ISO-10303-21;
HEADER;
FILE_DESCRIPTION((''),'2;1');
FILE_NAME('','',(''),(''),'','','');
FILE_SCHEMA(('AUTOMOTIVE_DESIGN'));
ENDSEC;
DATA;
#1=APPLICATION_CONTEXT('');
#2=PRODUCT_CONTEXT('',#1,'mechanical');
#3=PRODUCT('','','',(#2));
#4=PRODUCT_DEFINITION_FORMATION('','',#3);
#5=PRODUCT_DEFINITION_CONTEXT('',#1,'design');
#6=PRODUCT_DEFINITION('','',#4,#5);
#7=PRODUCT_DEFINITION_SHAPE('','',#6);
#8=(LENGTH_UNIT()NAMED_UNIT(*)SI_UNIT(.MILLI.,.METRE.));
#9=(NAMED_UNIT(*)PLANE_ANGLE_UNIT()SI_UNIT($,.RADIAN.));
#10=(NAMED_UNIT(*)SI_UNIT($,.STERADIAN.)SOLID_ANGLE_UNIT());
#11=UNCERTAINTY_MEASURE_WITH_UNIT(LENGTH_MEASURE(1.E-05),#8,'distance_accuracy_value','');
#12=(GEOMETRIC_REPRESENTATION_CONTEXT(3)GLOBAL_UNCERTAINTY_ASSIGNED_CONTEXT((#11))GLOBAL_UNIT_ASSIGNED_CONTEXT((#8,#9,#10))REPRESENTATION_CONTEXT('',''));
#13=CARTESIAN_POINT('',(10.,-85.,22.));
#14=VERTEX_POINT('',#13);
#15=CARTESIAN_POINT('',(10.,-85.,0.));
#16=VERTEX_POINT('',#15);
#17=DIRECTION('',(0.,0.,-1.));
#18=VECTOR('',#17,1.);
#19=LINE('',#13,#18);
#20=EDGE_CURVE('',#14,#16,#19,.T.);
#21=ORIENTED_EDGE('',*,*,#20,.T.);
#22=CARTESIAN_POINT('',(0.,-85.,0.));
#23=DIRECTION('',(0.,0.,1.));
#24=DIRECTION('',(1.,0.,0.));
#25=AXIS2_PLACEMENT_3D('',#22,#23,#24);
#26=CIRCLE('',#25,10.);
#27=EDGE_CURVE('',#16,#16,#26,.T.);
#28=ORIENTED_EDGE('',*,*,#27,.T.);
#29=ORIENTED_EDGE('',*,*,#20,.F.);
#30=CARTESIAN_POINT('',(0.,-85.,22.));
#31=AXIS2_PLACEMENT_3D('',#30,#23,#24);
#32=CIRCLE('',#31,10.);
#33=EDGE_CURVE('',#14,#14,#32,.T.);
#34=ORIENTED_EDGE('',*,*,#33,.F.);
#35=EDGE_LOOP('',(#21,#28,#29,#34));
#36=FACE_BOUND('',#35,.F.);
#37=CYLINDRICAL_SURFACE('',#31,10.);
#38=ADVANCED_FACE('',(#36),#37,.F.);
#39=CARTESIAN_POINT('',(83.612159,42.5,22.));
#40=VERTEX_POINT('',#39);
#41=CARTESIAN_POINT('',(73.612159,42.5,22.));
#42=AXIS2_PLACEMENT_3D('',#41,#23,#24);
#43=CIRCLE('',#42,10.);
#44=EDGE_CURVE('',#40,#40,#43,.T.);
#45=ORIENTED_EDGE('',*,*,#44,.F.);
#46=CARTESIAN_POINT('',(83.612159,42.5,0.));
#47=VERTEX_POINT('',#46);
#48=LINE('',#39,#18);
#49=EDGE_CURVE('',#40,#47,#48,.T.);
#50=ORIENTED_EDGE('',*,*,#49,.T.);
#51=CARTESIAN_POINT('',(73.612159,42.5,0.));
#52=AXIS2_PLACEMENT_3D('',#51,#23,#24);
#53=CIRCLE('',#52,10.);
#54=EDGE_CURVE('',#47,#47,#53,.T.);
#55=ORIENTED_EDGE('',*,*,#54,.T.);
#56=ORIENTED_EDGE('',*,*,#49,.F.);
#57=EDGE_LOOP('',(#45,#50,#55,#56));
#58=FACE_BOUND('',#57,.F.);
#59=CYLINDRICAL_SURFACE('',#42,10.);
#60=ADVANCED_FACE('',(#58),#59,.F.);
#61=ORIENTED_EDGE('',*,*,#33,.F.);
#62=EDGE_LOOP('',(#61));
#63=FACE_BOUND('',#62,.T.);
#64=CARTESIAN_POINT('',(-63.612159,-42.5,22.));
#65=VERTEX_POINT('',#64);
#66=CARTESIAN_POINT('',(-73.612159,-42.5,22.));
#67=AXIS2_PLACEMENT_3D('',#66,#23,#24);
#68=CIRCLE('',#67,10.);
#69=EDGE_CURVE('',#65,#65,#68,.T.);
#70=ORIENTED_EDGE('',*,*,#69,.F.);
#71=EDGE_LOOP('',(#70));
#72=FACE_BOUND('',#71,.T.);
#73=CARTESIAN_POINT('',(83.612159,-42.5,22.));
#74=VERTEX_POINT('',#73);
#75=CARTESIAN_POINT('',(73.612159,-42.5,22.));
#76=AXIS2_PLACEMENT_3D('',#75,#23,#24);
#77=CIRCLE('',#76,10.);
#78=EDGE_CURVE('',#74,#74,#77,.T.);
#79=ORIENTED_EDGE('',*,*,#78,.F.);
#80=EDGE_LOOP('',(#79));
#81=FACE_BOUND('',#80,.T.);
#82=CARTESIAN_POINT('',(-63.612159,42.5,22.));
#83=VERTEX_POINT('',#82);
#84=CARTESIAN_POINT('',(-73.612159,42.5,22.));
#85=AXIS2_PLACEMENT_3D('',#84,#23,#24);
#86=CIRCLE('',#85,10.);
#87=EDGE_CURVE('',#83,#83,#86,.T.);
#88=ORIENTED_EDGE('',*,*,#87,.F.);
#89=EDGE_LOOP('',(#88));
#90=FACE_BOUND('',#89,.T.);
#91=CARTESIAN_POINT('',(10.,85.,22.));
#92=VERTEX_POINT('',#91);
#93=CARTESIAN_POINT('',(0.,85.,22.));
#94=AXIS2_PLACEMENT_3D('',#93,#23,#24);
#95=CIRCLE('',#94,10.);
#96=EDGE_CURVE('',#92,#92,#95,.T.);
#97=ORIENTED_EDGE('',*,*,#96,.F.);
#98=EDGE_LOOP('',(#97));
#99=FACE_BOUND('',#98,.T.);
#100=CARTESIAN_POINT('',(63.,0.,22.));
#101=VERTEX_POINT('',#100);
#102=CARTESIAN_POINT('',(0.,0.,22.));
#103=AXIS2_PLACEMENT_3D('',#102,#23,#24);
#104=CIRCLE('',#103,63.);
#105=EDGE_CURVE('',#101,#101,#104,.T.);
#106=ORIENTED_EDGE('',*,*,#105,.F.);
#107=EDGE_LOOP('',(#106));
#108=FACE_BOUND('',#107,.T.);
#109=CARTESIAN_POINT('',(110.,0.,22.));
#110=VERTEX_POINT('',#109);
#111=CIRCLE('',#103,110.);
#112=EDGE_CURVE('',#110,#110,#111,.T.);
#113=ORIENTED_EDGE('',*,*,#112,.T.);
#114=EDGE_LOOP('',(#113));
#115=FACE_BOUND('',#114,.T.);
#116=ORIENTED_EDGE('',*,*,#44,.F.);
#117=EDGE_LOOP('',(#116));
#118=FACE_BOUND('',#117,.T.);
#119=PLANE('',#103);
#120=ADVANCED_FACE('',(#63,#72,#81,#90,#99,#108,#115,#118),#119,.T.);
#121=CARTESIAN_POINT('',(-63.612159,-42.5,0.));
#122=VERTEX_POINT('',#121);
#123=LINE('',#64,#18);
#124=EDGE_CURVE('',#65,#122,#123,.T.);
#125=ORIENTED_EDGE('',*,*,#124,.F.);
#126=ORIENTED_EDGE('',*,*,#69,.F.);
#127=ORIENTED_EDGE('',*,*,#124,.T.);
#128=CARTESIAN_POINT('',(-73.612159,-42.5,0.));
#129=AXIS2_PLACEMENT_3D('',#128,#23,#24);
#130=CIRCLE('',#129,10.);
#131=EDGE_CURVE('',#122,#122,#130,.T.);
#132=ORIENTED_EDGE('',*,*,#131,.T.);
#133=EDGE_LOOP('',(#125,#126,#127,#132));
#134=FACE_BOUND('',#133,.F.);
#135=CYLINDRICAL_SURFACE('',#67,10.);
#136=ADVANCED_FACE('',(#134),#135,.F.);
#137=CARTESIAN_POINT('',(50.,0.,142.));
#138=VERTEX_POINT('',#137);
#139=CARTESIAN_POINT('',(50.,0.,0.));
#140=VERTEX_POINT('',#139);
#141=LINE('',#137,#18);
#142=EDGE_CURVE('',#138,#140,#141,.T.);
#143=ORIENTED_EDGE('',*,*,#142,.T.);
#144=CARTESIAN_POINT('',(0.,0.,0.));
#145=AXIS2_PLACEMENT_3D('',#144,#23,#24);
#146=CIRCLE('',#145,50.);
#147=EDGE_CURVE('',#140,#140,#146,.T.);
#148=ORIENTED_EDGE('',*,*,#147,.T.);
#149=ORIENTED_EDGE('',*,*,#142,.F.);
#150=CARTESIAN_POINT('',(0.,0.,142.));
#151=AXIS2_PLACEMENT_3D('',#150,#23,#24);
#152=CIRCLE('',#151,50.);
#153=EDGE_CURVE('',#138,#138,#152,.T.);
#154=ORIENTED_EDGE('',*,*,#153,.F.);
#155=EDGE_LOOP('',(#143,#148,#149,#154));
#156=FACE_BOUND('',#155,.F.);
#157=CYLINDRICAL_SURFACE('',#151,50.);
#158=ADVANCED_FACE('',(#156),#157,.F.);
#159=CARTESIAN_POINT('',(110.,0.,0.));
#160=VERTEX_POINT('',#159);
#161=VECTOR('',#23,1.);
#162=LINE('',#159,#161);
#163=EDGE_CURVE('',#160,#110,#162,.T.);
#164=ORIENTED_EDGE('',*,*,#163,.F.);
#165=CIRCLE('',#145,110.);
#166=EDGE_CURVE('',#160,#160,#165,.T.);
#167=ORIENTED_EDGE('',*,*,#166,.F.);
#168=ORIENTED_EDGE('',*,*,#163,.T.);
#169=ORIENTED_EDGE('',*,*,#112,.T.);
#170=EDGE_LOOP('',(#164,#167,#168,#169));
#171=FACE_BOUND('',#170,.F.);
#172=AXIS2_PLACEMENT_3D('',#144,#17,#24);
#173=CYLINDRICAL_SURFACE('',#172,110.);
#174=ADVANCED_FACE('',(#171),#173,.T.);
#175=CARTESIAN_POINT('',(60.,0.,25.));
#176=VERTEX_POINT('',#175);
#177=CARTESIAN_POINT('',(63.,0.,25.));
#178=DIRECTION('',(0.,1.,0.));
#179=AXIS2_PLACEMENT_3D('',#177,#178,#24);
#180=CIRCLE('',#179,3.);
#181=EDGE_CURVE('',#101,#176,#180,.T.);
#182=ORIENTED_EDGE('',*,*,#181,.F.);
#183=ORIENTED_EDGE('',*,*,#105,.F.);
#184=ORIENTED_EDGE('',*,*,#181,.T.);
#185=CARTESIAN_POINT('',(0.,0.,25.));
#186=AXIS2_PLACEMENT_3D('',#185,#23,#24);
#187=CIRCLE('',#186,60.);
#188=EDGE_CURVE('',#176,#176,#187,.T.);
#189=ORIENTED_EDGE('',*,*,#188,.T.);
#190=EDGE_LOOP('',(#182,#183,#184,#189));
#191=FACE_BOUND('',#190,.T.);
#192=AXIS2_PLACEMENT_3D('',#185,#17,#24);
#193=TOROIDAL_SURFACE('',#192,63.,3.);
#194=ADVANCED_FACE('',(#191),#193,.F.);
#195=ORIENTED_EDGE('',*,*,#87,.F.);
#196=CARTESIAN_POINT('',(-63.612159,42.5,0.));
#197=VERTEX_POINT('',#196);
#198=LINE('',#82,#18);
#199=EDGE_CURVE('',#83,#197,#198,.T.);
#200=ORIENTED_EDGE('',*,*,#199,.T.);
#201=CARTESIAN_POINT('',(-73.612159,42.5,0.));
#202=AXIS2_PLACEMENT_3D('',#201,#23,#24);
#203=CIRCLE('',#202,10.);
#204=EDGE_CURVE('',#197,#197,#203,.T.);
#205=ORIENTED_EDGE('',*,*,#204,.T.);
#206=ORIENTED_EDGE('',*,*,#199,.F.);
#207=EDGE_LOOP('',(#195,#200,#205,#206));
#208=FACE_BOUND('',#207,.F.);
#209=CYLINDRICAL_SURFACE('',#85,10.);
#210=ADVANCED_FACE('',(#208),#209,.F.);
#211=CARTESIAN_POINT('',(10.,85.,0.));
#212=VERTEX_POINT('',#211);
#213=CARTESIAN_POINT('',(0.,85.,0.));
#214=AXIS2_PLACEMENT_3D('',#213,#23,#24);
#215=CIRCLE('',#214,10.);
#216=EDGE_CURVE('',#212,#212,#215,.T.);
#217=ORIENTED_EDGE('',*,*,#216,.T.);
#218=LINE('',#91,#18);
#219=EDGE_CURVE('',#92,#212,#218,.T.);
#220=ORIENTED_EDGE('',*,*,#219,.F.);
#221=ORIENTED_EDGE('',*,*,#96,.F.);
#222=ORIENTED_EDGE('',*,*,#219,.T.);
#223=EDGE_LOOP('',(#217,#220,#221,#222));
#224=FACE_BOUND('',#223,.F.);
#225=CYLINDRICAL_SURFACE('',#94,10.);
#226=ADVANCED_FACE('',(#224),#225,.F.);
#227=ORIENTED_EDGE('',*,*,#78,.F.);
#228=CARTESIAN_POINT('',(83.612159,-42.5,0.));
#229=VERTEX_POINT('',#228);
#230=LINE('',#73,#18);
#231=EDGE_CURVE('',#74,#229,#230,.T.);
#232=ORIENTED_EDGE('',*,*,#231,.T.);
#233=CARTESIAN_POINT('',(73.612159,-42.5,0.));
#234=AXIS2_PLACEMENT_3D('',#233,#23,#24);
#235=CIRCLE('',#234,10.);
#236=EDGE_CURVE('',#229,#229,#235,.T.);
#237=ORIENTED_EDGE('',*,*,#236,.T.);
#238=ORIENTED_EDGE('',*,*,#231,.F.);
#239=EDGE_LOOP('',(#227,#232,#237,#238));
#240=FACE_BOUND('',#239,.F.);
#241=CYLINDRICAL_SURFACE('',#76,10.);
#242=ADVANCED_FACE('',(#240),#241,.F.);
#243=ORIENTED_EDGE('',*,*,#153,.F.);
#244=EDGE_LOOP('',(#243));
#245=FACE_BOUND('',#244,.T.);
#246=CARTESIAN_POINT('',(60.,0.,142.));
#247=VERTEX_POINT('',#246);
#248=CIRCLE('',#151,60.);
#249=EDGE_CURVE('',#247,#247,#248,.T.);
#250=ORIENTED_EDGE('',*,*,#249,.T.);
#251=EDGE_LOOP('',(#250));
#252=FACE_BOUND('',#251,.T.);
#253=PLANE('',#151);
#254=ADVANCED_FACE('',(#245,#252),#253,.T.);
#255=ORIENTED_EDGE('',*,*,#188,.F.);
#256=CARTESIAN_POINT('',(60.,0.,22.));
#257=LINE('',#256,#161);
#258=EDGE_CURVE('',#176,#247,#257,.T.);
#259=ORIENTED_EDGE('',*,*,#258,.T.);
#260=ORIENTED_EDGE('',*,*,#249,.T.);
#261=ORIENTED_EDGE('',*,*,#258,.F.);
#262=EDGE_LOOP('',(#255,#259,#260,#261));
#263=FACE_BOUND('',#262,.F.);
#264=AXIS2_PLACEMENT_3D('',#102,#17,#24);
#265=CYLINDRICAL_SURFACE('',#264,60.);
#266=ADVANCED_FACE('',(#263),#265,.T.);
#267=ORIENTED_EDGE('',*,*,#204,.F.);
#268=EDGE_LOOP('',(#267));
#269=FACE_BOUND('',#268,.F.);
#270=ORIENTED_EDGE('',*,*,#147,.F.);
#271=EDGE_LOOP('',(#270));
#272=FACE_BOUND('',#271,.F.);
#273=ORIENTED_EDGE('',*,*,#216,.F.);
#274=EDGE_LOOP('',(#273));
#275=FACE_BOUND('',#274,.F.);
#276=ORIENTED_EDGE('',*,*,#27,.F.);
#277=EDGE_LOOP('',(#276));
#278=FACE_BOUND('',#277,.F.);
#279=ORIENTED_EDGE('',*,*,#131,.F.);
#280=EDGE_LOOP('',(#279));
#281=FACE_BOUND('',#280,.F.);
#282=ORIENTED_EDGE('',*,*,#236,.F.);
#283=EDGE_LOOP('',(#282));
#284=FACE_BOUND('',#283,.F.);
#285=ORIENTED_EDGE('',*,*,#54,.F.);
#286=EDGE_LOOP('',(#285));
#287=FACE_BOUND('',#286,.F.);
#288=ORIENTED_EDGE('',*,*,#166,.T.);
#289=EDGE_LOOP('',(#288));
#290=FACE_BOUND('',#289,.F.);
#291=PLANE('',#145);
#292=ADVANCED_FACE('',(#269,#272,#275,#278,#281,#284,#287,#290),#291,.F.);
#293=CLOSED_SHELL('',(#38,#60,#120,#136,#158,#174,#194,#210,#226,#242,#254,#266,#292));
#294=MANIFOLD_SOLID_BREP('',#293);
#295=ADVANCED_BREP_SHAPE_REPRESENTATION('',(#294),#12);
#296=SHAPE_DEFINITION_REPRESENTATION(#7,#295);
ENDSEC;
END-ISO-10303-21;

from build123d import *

# Parameters (mm, degrees)
SKETCH2_R           = 110
BOSS_EXTRUDE1_DEPTH = 22
SKETCH3_R           = 60
BOSS_EXTRUDE2_DEPTH = 120
SKETCH4_R           = 50
CUT_EXTRUDE1_DEPTH  = 143
SKETCH5_R           = 10
CUT_EXTRUDE2_DEPTH  = 23
FILLET1_R           = 3


with BuildPart() as part:
    # Sketch2 → Boss-Extrude1 (new body)
    with BuildSketch(Plane.XY):
        Circle(SKETCH2_R)
    extrude(amount=BOSS_EXTRUDE1_DEPTH)

    # Sketch3 → Boss-Extrude2 (add)
    with BuildSketch(Plane.XY.offset(22)):
        Circle(SKETCH3_R)
    extrude(amount=BOSS_EXTRUDE2_DEPTH)

    # Sketch4 → Cut-Extrude1 (cut, through all)
    with BuildSketch(Plane.XY.offset(142)):
        Circle(SKETCH4_R)
    extrude(amount=-CUT_EXTRUDE1_DEPTH, mode=Mode.SUBTRACT)

    # Sketch5 → Cut-Extrude2 (cut, through all)
    with BuildSketch(Plane.XY.offset(22)):
        with Locations((0, 85)):
            Circle(SKETCH5_R)
        with Locations((73.612159322, 42.5)):
            Circle(SKETCH5_R)
        with Locations((73.612159322, -42.5)):
            Circle(SKETCH5_R)
        with Locations((0, -85)):
            Circle(SKETCH5_R)
        with Locations((-73.612159322, -42.5)):
            Circle(SKETCH5_R)
        with Locations((-73.612159322, 42.5)):
            Circle(SKETCH5_R)
    extrude(amount=-CUT_EXTRUDE2_DEPTH, mode=Mode.SUBTRACT)

    # Fillet1
    fillet1_edges = [part.edges().sort_by_distance(p)[0] for p in [
        (-60, 0, 22),
    ]]
    fillet(fillet1_edges, radius=FILLET1_R)


solid = part.part
